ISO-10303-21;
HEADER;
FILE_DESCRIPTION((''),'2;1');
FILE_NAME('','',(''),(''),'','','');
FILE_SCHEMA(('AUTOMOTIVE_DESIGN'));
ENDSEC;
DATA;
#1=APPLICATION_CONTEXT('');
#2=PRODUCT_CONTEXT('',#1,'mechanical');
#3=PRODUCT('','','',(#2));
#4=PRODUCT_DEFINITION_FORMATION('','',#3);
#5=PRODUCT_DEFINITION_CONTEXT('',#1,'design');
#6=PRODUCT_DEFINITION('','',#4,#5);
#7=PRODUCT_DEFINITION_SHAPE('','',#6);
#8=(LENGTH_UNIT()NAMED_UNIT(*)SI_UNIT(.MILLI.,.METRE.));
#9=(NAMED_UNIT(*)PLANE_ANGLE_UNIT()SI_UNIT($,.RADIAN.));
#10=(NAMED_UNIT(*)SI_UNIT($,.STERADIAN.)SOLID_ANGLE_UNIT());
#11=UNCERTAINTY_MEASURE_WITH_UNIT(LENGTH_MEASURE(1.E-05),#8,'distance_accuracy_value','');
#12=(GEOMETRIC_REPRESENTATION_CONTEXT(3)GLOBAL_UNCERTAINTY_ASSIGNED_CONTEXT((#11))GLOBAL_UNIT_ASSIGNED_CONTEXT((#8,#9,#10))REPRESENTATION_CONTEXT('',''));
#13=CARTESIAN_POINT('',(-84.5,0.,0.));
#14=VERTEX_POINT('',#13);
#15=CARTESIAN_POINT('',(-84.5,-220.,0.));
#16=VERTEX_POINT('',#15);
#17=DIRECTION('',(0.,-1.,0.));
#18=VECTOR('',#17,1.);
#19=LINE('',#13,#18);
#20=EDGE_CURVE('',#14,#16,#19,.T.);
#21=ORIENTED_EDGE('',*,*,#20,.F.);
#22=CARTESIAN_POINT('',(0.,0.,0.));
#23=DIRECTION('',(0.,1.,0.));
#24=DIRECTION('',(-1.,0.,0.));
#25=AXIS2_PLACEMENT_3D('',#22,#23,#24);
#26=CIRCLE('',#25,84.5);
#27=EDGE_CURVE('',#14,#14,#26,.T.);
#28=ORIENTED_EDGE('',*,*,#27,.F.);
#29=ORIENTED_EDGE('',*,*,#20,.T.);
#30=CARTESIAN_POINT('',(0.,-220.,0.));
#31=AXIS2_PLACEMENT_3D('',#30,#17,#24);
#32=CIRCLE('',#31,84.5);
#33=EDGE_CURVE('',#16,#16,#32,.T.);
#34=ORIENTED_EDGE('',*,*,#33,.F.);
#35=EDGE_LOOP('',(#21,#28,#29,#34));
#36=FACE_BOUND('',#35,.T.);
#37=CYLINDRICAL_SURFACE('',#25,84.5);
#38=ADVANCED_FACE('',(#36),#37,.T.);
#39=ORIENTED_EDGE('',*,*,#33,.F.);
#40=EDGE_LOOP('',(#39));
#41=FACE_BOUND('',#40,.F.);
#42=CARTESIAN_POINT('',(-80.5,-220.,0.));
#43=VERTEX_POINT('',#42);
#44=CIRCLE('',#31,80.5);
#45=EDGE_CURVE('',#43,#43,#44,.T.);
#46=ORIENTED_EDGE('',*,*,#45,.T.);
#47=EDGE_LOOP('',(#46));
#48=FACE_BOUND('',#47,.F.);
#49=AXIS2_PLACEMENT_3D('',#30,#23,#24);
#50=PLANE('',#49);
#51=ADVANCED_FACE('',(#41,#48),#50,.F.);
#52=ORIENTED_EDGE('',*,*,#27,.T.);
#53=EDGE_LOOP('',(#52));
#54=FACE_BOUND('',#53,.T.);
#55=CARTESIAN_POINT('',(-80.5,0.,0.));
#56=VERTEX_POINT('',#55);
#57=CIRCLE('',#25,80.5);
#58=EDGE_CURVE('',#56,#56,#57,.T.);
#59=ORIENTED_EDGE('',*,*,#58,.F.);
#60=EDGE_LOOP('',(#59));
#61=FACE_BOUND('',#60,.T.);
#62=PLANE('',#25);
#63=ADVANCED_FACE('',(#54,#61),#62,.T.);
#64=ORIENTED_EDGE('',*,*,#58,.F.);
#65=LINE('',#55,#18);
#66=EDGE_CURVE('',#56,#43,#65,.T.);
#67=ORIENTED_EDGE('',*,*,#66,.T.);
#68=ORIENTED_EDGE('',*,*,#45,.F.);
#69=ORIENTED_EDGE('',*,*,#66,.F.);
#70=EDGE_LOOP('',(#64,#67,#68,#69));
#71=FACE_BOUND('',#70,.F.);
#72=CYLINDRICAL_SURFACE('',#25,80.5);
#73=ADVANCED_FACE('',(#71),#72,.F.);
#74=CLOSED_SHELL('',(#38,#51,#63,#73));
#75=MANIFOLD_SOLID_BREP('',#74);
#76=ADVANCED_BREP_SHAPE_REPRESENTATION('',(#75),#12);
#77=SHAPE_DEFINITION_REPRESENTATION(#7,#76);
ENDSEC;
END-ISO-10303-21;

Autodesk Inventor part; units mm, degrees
ref_plane "YZ Plane" through (0, 0, 0) normal (1, 0, 0) x (0, 1, 0)
ref_plane "XZ Plane" through (0, 0, 0) normal (0, 1, 0) x (-1, 0, 0)
ref_plane "XY Plane" through (0, 0, 0) normal (0, 0, 1) x (1, 0, 0)
sketch "Sketch1" plane through (0, 0, 0) normal (0, 1, 0) x (-1, 0, 0)
  circle A0 centre (0, 0) radius 84.5
  circle A1 centre (0, 0) radius 80.5
  line L0 (84.5, 0) -> (-84.5, 0)
  point P0 (-80.5, 0)
  point P1 (80.5, 0)
  dimension "d0" = 169
  dimension "d1" = 4
extrude "Extrusion1" add sketch "Sketch1" against normal blind 220 contours L0 A1 A0 | A0 L0 A1
properties part number "PNS- 723 charging half tube" material "Steel"
